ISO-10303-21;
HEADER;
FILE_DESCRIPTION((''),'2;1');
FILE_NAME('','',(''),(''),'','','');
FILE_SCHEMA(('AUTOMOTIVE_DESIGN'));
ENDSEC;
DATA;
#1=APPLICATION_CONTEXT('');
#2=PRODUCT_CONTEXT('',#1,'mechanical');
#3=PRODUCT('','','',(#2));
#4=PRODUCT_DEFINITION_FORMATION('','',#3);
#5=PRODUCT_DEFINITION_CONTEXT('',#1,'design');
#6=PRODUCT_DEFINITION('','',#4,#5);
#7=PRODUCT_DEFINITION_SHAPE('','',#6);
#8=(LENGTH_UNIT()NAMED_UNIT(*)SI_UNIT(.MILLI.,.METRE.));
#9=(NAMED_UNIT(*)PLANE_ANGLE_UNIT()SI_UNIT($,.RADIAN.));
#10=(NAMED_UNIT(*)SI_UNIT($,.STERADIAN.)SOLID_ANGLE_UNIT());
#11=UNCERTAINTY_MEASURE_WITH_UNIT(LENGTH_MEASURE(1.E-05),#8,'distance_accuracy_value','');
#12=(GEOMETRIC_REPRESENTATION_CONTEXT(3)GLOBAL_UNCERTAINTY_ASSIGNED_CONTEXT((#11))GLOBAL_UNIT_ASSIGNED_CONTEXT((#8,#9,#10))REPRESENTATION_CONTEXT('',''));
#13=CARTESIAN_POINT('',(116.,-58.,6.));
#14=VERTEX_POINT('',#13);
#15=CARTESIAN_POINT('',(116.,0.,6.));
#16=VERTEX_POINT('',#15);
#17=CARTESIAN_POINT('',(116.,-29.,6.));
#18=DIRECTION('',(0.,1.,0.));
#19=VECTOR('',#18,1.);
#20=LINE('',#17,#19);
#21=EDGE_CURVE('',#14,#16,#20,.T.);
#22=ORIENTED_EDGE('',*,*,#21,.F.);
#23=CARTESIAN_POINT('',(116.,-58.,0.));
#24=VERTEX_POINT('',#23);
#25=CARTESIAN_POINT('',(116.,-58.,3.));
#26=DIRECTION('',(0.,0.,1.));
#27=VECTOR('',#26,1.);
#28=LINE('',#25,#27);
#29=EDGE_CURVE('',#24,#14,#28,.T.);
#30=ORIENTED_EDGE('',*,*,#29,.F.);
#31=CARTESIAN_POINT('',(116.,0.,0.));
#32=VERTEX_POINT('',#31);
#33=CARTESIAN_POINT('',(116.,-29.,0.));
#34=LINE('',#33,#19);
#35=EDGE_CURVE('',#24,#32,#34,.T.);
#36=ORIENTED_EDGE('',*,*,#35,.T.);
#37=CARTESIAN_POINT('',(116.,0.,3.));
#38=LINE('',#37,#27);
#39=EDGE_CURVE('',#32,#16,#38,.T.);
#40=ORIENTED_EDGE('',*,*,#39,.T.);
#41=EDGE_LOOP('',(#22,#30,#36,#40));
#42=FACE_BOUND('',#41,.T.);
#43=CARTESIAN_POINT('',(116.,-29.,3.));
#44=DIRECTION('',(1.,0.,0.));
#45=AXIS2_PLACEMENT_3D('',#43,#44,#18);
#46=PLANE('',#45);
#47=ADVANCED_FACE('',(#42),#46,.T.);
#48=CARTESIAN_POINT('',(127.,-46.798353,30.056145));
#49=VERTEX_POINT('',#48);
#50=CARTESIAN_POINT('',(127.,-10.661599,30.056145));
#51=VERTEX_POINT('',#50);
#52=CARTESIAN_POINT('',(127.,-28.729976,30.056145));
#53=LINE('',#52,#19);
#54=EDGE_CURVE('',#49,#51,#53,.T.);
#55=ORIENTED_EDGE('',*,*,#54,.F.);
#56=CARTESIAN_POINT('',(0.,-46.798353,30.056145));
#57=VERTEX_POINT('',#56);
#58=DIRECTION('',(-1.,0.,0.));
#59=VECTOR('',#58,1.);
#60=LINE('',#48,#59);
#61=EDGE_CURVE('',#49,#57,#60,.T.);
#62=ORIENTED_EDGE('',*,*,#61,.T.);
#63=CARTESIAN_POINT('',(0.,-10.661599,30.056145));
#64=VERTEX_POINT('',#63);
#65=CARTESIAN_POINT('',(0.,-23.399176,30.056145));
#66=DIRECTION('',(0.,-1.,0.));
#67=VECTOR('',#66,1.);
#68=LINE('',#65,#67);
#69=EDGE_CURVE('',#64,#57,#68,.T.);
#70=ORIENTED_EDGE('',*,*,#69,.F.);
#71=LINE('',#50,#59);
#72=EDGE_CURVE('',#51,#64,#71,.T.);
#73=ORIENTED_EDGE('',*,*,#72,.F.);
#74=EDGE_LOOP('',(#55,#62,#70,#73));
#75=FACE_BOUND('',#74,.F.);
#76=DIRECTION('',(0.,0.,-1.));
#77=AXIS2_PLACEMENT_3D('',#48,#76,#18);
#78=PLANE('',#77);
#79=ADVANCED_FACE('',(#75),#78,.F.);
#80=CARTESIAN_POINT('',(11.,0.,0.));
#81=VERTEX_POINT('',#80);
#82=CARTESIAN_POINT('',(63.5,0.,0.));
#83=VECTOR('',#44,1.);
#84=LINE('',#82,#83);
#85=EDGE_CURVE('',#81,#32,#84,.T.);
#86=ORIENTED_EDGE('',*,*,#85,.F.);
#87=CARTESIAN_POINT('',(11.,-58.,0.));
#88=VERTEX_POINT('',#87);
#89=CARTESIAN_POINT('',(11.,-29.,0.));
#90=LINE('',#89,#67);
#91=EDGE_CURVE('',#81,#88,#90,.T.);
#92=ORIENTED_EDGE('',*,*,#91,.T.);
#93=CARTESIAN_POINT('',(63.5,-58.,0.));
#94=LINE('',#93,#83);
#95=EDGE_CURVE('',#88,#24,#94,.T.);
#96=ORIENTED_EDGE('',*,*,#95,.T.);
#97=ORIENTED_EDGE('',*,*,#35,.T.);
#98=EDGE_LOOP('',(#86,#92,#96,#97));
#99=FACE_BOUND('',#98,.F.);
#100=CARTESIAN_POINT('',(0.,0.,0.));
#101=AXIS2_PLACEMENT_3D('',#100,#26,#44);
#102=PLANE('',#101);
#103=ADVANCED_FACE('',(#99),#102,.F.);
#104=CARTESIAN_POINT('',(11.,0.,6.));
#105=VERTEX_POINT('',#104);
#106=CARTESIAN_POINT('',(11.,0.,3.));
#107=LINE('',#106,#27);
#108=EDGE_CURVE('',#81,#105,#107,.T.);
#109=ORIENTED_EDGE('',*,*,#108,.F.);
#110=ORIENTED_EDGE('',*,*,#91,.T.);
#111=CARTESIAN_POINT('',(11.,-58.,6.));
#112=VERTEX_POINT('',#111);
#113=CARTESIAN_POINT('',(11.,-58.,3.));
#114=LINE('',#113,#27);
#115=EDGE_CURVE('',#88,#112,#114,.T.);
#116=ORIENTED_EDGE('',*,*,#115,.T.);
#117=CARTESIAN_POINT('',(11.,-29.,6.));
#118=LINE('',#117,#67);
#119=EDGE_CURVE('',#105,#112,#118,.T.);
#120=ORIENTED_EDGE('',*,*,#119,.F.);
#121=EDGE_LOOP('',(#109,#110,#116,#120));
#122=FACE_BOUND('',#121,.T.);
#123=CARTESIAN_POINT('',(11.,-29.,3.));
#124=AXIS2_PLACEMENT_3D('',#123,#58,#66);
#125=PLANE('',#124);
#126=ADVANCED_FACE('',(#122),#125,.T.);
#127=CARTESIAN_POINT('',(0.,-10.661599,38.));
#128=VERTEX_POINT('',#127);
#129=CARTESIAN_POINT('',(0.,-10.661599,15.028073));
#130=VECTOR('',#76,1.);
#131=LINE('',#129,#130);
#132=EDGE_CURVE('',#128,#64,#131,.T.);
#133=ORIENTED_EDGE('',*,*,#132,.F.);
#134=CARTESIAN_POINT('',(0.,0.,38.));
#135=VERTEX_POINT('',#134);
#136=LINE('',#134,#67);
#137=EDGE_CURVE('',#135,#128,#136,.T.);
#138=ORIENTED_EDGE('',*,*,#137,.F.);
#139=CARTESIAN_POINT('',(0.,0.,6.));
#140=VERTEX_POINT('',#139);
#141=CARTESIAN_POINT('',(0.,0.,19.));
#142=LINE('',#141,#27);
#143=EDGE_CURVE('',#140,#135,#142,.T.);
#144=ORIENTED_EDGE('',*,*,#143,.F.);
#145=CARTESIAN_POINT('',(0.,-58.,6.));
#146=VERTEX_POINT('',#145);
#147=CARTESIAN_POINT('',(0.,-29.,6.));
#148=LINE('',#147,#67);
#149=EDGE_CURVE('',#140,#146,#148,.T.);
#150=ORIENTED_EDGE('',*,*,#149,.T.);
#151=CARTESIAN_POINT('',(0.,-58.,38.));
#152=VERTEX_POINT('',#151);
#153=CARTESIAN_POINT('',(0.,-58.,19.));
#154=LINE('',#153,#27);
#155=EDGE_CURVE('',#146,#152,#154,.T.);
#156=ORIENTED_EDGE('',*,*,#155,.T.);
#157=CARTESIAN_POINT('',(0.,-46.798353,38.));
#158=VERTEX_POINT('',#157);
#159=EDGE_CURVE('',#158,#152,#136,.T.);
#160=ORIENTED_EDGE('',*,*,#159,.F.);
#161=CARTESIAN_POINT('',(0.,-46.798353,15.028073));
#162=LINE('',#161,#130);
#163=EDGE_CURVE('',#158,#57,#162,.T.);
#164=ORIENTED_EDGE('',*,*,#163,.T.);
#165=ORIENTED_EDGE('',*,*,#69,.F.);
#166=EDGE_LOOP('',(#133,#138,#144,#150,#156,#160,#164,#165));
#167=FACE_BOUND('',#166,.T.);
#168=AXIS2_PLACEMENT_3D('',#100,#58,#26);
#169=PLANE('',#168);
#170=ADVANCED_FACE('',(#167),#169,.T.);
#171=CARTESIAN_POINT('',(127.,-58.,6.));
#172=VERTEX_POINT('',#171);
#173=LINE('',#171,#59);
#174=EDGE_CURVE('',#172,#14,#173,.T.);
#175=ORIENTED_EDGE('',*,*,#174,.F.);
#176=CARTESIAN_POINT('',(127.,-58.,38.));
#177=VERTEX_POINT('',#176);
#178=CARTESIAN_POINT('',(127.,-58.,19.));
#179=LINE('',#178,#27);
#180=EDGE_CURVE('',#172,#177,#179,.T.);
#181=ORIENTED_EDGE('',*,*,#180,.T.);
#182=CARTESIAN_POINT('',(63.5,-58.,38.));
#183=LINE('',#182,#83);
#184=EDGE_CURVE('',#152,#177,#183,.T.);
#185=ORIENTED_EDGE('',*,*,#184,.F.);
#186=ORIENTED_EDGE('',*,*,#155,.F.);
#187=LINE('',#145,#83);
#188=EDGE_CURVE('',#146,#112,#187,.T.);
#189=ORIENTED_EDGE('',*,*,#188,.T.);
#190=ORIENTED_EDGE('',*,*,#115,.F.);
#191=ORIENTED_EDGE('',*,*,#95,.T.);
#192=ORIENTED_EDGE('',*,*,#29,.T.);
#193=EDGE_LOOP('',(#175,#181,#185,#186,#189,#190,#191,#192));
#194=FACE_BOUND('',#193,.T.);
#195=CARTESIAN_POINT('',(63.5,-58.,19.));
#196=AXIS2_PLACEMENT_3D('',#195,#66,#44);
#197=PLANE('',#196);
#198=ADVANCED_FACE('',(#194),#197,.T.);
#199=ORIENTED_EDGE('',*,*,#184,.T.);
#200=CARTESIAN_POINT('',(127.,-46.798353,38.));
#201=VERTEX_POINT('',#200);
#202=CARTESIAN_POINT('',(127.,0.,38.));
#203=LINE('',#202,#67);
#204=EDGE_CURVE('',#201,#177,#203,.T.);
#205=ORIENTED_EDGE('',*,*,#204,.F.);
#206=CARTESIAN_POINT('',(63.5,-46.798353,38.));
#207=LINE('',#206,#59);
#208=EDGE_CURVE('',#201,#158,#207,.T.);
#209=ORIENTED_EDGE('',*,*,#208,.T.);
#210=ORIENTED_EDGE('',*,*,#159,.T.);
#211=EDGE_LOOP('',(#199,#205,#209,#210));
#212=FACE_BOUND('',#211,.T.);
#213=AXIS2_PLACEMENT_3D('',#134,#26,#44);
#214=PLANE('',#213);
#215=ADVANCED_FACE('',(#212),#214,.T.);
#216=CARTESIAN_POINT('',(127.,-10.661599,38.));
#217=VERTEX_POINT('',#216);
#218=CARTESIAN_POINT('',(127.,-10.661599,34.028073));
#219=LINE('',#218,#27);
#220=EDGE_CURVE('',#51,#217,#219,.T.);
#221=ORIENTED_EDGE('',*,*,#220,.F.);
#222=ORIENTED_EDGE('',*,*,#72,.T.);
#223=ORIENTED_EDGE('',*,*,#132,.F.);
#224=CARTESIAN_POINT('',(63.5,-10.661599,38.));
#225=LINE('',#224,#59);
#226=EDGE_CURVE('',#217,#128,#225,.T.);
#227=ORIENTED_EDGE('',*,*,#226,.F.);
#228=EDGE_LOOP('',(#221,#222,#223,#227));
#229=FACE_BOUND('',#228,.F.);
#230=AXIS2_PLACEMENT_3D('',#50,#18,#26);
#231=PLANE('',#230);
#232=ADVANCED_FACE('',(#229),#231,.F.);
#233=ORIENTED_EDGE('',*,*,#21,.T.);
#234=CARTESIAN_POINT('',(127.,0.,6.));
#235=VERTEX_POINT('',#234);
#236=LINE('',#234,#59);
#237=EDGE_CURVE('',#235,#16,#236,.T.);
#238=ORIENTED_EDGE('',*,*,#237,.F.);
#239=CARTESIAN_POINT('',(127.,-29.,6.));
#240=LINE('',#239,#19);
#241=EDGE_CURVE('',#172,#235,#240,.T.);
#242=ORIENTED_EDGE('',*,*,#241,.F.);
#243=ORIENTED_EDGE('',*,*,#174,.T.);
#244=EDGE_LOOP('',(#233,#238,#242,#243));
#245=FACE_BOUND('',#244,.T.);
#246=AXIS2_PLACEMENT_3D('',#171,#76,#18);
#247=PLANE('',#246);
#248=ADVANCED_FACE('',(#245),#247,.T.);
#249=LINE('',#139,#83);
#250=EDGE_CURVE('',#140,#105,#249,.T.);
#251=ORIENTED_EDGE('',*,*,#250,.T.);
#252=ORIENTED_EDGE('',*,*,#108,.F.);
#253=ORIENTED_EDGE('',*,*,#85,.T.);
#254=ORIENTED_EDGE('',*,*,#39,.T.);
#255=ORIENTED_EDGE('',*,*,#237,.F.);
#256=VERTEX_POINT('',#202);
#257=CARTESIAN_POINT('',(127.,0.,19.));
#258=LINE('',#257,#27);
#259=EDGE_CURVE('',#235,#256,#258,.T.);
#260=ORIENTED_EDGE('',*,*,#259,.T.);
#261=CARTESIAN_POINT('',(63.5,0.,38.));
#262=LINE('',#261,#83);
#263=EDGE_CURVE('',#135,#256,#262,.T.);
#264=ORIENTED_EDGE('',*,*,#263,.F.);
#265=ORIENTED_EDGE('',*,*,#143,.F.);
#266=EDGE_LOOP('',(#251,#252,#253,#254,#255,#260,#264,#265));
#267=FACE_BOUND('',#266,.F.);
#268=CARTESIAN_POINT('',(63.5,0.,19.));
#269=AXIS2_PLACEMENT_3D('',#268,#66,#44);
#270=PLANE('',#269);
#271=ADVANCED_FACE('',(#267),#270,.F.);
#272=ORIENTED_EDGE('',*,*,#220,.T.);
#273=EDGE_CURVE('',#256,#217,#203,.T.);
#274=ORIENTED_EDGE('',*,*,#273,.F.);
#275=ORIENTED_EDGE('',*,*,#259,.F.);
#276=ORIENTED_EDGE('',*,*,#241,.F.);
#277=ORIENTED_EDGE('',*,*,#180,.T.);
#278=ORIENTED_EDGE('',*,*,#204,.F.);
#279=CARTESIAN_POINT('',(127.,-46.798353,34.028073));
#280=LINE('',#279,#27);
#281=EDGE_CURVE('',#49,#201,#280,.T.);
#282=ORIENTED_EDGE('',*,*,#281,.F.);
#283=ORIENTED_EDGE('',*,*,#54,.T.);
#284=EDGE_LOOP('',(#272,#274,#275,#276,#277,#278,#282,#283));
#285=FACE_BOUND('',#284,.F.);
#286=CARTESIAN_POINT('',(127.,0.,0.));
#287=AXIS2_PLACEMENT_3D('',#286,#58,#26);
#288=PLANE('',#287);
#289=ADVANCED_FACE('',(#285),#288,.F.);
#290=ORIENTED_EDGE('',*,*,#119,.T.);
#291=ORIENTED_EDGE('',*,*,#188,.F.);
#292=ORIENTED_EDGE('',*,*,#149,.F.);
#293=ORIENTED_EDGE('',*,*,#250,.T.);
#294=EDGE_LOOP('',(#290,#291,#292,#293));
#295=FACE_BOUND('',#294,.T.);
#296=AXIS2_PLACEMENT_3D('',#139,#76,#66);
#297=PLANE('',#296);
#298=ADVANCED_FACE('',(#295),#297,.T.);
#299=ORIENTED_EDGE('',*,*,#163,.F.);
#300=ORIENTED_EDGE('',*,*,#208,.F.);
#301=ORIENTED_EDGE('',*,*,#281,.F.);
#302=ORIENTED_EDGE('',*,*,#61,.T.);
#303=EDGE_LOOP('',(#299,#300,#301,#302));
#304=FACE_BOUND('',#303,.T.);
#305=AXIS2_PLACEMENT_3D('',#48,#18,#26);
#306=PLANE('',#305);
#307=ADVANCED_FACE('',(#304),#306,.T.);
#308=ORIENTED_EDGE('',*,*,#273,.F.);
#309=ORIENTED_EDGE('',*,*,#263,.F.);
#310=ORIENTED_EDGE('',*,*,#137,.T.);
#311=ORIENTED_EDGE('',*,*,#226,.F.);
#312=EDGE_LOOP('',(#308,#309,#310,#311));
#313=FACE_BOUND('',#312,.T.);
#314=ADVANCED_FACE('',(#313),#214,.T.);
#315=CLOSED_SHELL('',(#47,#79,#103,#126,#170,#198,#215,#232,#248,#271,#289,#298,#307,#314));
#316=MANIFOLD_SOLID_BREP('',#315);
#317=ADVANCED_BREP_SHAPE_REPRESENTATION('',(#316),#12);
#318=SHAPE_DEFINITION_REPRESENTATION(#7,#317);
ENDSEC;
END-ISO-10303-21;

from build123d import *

# Parameters (mm, degrees)
F0_W     = 127
F0_H     = 38
F1_DEPTH = 58
F2_W     = 58
F2_H     = 6
F3_DEPTH = 11
F4_W     = 58
F4_H     = 6
F5_DEPTH = 11
F6_W     = 36.136753
F6_H     = 7.943855
F7_DEPTH = 200


with BuildPart() as f1:
    # F0 (on Front) → F1 (new body)
    with BuildSketch(Plane.XZ):
        with Locations((63.5, 19)):
            Rectangle(F0_W, F0_H)
    extrude(amount=F1_DEPTH)

    # F2 (on face) → F3 (cut)
    with BuildSketch(Plane.YZ.offset(127)):
        with Locations((-29, 3)):
            Rectangle(F2_W, F2_H)
    extrude(amount=-F3_DEPTH, mode=Mode.SUBTRACT)

    # F4 (on face) → F5 (cut)
    with BuildSketch(Plane(origin=(0, 0, 0), x_dir=(0, -1, 0), z_dir=(-1, 0, 0))):
        with Locations((29, 3)):
            Rectangle(F4_W, F4_H)
    extrude(amount=-F5_DEPTH, mode=Mode.SUBTRACT)

    # F6 (on face) → F7 (cut)
    with BuildSketch(Plane.YZ.offset(127)):
        with Locations((-28.729976, 34.028073)):
            Rectangle(F6_W, F6_H)
    extrude(amount=-F7_DEPTH, mode=Mode.SUBTRACT)


solid = f1.part
